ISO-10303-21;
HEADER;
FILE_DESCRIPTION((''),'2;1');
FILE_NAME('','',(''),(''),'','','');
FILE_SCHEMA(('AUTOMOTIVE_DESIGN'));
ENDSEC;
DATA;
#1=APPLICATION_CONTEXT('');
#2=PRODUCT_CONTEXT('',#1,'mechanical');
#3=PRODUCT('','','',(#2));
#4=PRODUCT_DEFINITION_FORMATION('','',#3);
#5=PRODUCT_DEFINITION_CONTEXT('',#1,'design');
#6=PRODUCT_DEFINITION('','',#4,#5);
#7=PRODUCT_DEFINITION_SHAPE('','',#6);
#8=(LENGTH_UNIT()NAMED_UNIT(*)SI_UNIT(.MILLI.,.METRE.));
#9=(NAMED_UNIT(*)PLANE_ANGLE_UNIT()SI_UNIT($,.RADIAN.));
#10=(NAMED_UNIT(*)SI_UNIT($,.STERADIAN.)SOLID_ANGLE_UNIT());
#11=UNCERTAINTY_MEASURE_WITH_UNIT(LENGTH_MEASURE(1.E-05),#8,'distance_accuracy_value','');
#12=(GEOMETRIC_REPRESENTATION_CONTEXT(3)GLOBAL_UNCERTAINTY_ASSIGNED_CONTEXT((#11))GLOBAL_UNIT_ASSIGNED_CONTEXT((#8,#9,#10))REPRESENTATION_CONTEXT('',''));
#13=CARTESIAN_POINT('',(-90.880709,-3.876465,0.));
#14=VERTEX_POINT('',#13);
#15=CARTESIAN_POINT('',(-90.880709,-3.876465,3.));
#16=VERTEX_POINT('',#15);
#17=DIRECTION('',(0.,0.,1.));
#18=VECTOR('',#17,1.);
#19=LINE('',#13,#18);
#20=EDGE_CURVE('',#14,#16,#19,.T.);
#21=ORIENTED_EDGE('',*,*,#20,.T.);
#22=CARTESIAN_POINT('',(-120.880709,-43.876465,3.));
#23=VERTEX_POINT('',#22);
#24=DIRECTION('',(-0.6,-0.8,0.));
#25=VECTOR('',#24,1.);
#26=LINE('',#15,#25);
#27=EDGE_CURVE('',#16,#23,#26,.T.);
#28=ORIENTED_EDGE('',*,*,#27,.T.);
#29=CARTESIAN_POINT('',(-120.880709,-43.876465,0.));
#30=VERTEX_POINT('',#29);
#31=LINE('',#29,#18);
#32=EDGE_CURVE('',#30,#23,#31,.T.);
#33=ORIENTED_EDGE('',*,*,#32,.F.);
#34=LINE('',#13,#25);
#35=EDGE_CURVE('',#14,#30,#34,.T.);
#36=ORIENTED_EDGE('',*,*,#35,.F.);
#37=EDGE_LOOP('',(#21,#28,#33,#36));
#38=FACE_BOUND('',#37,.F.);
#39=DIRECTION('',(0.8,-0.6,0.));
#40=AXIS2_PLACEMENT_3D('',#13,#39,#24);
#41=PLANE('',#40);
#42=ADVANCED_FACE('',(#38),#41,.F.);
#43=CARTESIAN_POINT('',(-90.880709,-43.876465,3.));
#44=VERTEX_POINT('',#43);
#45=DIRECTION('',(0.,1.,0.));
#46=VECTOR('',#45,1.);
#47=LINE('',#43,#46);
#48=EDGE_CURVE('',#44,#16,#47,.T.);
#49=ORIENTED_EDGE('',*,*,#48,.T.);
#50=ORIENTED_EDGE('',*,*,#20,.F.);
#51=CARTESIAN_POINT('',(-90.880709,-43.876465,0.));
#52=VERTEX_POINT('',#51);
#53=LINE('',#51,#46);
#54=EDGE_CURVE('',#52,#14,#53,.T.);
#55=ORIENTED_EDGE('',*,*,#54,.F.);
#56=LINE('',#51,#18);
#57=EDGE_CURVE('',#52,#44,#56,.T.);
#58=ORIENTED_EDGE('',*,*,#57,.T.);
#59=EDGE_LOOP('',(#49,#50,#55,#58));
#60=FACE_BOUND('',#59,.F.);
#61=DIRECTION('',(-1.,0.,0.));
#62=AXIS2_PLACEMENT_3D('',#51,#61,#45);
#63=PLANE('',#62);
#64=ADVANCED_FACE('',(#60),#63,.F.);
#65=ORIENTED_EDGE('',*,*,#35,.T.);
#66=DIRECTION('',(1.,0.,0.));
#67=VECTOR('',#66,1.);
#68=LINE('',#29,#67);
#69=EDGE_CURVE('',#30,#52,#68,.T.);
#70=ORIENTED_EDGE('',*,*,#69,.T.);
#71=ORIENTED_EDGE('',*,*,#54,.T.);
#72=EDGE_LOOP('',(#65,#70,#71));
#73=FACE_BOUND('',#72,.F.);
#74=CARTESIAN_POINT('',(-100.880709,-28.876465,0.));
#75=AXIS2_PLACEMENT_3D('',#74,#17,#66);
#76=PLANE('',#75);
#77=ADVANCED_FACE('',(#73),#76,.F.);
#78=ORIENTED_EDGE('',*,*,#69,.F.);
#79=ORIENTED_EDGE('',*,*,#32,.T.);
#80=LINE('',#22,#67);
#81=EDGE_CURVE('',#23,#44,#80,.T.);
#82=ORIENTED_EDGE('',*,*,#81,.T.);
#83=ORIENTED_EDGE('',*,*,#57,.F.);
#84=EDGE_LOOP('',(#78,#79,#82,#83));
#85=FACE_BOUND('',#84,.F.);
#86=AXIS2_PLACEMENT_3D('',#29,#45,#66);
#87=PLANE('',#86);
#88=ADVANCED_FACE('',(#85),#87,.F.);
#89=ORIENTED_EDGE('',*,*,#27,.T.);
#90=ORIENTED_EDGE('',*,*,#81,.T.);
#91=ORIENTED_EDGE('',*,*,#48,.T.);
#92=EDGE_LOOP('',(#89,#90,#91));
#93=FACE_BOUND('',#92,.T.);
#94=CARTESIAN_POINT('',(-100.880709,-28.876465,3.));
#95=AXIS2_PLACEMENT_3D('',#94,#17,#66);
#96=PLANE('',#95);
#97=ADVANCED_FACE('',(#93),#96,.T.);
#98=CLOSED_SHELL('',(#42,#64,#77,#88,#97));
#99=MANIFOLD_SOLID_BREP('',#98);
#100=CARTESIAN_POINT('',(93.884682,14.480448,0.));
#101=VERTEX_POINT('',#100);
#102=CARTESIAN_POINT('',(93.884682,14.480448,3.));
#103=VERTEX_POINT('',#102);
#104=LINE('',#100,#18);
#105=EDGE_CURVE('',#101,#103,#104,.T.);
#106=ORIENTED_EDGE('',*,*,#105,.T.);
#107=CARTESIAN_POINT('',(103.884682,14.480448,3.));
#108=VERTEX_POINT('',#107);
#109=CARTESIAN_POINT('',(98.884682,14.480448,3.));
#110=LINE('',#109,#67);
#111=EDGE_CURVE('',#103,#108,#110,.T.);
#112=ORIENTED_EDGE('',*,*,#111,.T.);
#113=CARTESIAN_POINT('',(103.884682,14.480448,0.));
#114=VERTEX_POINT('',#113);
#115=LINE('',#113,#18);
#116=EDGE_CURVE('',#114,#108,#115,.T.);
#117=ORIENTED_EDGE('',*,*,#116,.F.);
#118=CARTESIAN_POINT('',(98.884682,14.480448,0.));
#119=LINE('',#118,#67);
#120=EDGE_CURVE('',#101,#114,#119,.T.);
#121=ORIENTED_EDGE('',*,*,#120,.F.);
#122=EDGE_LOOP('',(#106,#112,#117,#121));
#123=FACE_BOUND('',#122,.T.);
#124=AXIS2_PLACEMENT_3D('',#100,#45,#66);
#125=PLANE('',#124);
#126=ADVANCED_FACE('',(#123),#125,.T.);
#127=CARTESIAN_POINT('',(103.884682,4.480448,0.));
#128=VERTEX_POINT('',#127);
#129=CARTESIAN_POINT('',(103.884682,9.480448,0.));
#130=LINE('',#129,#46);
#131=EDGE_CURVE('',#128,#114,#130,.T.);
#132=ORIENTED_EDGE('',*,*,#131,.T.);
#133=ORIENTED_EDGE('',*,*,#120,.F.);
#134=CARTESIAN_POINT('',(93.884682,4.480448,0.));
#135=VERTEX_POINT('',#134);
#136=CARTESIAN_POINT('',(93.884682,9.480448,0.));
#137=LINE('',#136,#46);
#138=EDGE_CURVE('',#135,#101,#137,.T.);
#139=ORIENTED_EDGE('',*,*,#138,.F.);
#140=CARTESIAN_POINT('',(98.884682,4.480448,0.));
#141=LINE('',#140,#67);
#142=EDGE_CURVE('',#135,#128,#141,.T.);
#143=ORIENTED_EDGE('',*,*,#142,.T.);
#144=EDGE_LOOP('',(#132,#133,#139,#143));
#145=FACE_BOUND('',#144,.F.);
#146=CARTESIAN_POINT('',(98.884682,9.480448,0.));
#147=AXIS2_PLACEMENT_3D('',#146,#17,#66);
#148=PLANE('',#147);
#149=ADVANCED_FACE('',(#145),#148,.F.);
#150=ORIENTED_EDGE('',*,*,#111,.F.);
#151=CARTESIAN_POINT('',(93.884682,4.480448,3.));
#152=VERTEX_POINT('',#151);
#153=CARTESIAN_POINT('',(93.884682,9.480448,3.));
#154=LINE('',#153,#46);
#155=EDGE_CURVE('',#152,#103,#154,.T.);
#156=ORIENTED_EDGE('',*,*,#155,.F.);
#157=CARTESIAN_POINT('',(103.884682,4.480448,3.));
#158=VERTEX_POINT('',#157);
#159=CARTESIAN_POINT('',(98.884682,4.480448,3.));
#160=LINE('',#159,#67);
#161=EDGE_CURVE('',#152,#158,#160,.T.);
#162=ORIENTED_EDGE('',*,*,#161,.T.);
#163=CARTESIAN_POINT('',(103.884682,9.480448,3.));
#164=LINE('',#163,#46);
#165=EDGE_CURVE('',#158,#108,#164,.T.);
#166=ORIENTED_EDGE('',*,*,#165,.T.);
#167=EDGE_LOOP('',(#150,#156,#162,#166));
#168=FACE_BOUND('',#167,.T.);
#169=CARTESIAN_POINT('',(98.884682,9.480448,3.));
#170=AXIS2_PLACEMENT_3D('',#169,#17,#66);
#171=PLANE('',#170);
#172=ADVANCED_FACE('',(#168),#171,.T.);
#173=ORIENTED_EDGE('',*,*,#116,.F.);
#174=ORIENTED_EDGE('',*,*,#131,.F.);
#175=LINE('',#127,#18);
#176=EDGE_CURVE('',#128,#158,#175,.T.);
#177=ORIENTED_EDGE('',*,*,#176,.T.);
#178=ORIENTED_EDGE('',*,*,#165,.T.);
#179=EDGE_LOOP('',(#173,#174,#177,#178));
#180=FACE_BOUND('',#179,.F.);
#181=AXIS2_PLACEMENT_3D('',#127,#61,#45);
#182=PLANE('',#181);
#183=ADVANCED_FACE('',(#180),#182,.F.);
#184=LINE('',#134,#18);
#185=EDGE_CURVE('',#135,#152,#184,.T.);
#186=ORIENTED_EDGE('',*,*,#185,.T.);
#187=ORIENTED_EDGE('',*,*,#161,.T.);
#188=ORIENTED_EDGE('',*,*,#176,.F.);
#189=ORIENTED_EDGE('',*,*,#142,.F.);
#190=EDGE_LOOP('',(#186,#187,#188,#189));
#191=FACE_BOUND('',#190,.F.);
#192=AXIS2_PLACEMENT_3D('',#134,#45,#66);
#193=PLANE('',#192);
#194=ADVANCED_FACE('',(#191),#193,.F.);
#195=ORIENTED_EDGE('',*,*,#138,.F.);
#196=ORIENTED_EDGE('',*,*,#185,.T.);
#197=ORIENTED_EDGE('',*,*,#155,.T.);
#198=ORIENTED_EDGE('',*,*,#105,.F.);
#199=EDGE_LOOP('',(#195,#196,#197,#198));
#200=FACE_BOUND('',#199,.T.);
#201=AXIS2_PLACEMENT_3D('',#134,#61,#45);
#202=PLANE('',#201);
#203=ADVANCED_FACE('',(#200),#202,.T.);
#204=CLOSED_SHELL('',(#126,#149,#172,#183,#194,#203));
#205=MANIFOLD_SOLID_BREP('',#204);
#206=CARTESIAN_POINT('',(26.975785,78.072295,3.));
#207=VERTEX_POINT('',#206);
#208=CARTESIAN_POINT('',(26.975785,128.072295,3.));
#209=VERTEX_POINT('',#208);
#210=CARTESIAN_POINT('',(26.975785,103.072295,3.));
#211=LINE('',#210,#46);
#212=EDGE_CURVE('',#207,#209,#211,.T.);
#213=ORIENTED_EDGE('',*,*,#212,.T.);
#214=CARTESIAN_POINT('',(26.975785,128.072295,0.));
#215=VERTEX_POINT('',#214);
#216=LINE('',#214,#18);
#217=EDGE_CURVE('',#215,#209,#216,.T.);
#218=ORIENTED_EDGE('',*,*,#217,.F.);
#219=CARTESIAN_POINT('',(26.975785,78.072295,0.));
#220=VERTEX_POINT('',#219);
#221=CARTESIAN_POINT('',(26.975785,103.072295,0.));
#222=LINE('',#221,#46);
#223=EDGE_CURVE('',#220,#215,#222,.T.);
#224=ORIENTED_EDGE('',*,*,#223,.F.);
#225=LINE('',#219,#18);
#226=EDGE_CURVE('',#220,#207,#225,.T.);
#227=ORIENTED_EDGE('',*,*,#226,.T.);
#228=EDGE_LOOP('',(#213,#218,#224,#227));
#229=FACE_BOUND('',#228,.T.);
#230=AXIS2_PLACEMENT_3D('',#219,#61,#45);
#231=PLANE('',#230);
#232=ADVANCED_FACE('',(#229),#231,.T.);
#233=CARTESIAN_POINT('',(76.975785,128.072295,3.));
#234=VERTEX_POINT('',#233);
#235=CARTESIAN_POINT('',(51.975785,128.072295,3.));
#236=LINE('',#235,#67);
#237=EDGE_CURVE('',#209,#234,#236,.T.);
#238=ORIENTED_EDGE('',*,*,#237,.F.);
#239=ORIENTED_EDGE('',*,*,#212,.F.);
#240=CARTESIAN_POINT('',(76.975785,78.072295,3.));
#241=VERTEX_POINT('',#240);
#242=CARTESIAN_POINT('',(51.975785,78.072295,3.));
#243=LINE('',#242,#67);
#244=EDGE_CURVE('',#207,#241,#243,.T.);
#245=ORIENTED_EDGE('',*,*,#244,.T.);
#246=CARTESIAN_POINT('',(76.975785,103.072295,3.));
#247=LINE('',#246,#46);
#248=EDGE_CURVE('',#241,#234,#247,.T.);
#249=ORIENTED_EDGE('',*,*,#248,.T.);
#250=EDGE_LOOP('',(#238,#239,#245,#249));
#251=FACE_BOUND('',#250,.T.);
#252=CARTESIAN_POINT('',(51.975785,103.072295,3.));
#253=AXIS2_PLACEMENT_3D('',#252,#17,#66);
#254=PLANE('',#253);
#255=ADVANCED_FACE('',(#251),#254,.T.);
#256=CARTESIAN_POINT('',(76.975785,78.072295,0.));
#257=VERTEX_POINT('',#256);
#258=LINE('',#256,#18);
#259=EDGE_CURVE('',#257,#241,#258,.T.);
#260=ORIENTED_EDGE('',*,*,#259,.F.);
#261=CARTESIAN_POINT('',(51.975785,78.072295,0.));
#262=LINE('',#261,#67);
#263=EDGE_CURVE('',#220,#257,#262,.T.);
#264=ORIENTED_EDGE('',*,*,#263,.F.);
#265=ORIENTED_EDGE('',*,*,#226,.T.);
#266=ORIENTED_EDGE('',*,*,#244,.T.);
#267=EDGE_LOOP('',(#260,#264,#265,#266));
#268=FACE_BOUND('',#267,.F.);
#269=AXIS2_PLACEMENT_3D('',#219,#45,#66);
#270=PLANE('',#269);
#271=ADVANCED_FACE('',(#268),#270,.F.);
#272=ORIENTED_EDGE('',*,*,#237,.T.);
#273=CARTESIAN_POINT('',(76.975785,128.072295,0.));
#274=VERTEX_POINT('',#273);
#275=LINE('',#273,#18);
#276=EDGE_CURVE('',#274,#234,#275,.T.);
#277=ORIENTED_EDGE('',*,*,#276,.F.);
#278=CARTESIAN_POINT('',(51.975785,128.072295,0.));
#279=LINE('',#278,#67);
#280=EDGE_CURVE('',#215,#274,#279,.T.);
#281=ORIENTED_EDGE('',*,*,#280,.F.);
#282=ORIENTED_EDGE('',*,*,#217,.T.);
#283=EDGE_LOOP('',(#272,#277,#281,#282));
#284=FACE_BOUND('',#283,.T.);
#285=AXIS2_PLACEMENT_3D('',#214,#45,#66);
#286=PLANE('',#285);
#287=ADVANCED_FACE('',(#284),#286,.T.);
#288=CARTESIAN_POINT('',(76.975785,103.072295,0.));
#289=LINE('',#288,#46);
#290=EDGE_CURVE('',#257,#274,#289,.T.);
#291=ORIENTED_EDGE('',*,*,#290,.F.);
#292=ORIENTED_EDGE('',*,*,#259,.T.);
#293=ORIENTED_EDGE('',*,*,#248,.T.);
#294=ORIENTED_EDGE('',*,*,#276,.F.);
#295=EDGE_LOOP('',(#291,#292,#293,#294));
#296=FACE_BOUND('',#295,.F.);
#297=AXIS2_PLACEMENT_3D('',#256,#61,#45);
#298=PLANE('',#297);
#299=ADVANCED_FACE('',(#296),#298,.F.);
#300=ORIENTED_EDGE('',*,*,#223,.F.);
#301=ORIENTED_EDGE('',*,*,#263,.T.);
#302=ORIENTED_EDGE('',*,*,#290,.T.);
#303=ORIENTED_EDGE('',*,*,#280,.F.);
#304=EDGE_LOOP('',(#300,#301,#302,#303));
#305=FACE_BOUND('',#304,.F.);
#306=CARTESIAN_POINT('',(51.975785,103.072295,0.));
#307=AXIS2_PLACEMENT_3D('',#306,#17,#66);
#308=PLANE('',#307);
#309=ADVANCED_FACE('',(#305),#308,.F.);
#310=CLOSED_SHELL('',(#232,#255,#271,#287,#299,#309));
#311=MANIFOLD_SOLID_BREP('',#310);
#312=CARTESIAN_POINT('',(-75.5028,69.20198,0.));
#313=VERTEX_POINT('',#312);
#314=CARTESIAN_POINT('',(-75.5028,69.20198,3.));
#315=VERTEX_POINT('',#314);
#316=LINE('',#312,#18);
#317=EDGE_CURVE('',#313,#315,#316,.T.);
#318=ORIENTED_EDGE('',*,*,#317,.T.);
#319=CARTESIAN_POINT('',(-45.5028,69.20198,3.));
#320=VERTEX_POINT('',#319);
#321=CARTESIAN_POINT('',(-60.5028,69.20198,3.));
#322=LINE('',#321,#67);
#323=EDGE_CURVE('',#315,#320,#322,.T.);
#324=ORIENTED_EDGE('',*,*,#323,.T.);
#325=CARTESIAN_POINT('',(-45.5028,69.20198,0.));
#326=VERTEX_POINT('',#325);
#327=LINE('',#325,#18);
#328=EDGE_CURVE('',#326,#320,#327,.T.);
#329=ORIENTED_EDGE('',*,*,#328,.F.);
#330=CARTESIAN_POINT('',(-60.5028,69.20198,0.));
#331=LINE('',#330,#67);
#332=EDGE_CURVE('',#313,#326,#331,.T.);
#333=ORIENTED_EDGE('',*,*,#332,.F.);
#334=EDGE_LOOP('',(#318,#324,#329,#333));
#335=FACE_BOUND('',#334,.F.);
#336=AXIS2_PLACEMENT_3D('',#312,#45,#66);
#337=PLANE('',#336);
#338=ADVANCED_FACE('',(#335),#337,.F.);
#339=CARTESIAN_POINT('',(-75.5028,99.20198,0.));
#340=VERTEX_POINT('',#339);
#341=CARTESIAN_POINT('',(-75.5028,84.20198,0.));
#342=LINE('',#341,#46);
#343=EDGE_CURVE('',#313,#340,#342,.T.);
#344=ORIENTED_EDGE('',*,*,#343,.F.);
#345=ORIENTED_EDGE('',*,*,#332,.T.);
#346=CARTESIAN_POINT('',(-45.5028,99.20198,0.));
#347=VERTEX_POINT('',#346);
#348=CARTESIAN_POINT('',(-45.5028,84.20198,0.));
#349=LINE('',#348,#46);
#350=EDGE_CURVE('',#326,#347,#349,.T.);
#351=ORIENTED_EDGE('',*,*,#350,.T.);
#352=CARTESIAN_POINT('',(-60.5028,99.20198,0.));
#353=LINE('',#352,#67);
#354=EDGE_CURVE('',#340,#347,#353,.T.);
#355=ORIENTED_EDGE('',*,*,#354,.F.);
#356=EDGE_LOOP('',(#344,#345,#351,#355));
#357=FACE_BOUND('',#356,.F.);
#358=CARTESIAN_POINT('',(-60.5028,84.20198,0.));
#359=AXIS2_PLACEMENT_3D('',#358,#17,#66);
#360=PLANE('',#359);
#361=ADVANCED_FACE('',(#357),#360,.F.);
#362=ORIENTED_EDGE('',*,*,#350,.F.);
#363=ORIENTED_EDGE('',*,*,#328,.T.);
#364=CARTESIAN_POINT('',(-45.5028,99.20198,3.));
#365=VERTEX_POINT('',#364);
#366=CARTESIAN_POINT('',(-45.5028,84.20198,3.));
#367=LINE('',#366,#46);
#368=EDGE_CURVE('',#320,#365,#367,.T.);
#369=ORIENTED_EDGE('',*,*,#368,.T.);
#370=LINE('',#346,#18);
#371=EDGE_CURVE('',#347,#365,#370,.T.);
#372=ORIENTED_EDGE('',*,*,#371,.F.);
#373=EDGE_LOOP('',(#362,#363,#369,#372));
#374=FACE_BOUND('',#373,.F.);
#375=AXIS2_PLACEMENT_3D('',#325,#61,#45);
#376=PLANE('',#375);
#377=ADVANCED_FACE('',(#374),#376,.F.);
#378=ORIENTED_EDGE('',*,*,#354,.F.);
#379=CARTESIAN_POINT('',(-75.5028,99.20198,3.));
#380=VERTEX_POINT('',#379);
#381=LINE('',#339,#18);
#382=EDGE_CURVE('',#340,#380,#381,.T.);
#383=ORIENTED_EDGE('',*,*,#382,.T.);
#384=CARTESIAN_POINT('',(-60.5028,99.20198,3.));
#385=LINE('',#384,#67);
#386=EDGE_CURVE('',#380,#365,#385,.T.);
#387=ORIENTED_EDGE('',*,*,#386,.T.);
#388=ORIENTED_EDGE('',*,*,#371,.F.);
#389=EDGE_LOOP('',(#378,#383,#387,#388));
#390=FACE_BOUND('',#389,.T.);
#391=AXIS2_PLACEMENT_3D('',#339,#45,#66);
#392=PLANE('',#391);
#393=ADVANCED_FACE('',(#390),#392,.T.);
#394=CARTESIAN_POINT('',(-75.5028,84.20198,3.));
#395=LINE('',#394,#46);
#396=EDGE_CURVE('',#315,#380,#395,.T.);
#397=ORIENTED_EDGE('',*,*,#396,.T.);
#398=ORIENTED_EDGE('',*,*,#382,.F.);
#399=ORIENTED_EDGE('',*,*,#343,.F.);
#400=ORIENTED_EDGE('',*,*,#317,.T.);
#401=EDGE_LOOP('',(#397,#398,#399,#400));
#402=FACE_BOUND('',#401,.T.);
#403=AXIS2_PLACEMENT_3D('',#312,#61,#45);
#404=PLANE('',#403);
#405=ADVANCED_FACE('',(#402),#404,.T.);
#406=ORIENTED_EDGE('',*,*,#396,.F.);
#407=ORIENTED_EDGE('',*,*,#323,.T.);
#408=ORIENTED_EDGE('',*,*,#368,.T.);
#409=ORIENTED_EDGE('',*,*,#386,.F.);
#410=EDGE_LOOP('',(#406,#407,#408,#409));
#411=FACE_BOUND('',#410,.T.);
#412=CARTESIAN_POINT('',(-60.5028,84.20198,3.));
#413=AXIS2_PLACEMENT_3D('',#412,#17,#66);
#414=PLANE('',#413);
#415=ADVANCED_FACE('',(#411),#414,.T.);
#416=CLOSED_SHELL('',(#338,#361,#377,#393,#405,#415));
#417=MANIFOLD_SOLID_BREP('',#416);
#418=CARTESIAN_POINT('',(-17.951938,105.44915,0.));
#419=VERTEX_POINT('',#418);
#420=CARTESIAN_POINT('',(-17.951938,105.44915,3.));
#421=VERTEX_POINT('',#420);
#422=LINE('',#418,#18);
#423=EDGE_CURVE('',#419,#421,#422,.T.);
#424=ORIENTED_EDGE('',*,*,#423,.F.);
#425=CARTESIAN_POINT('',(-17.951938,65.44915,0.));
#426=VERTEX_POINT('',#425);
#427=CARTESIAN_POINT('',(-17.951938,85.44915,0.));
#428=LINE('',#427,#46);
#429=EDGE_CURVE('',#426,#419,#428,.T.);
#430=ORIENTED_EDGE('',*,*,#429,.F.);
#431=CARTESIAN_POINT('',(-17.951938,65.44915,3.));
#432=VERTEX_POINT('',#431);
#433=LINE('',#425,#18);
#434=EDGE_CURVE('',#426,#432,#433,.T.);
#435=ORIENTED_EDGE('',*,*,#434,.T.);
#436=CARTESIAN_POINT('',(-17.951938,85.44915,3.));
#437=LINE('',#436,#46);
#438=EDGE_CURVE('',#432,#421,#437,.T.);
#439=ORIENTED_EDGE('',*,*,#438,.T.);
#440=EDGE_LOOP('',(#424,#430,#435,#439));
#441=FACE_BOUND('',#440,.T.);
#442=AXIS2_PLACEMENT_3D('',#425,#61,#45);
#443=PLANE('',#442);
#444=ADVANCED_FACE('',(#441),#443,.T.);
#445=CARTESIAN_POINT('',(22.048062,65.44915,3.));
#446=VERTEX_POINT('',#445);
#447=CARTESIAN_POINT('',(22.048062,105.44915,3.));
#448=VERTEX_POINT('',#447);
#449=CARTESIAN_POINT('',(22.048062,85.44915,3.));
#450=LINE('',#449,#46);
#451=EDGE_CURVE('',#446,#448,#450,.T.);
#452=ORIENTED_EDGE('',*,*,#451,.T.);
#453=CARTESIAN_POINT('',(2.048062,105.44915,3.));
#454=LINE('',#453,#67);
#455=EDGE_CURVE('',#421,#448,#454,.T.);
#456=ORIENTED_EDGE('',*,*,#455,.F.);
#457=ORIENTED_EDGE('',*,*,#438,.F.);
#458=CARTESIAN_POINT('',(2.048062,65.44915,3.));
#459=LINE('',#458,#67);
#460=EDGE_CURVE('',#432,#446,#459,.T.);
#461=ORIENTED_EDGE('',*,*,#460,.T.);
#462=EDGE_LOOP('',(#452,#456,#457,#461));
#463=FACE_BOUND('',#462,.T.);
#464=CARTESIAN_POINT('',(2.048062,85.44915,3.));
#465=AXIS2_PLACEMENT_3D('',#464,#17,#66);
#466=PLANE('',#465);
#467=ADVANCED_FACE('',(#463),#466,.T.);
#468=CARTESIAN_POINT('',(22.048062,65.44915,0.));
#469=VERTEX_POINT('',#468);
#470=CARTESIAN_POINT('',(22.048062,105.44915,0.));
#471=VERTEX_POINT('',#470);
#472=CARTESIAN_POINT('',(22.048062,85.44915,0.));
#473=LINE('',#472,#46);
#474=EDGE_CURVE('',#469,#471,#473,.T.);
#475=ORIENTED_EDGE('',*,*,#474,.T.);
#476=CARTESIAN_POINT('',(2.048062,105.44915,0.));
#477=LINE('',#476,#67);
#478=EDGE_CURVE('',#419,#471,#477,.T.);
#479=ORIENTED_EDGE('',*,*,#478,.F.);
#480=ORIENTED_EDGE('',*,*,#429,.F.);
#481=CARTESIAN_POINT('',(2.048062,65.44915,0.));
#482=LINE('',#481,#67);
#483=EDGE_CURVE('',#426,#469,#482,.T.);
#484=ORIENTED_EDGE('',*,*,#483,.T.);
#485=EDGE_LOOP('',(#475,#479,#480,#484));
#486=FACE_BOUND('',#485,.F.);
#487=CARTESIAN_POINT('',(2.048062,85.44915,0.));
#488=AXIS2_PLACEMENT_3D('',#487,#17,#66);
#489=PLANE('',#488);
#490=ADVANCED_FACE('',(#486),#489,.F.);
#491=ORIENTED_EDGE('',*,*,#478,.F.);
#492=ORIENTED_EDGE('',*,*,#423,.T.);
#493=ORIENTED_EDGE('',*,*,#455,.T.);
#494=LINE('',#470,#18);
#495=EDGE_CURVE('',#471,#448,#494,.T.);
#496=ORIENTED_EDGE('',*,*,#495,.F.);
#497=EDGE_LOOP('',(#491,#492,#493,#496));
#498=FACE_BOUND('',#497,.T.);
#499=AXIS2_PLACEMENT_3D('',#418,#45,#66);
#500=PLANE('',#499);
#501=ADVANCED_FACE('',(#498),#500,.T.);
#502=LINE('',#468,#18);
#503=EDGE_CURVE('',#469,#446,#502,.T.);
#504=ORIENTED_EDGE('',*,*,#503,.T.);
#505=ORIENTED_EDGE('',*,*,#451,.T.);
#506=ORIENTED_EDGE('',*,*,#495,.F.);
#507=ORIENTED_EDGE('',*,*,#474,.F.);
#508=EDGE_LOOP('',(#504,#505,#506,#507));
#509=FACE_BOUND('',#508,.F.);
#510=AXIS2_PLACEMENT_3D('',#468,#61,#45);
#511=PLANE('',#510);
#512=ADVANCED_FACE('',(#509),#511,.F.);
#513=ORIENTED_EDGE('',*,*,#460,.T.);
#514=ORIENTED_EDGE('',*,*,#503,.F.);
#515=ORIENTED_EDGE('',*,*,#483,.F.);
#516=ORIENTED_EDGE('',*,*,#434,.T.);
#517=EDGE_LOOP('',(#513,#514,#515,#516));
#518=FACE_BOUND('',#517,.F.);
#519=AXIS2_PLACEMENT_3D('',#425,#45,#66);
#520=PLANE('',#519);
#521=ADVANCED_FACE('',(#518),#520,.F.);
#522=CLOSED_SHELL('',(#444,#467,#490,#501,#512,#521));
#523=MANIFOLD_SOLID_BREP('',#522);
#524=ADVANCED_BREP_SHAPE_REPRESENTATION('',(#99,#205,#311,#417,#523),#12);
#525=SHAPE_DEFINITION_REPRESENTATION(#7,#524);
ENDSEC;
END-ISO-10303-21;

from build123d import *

# Parameters (mm, degrees)
F0_W     = 30
F0_H     = 30
F0_W_2   = 40
F0_H_2   = 40
F0_W_3   = 50
F0_H_3   = 50
F0_W_4   = 10
F0_H_4   = 10
F1_DEPTH = 3


with BuildPart() as f1:
    # F0 (on Top) → F1 (new body)
    with BuildSketch(Plane.XY):
        Polygon((-90.880709, -3.876465), (-120.880709, -43.876465), (-90.880709, -43.876465), align=None)
        with Locations((-60.5028, 84.20198)):
            Rectangle(F0_W, F0_H)
        with Locations((2.048062, 85.44915)):
            Rectangle(F0_W_2, F0_H_2)
        with Locations((51.975785, 103.072295)):
            Rectangle(F0_W_3, F0_H_3)
        with Locations((98.884682, 9.480448)):
            Rectangle(F0_W_4, F0_H_4)
    extrude(amount=F1_DEPTH)


solid = f1.part
